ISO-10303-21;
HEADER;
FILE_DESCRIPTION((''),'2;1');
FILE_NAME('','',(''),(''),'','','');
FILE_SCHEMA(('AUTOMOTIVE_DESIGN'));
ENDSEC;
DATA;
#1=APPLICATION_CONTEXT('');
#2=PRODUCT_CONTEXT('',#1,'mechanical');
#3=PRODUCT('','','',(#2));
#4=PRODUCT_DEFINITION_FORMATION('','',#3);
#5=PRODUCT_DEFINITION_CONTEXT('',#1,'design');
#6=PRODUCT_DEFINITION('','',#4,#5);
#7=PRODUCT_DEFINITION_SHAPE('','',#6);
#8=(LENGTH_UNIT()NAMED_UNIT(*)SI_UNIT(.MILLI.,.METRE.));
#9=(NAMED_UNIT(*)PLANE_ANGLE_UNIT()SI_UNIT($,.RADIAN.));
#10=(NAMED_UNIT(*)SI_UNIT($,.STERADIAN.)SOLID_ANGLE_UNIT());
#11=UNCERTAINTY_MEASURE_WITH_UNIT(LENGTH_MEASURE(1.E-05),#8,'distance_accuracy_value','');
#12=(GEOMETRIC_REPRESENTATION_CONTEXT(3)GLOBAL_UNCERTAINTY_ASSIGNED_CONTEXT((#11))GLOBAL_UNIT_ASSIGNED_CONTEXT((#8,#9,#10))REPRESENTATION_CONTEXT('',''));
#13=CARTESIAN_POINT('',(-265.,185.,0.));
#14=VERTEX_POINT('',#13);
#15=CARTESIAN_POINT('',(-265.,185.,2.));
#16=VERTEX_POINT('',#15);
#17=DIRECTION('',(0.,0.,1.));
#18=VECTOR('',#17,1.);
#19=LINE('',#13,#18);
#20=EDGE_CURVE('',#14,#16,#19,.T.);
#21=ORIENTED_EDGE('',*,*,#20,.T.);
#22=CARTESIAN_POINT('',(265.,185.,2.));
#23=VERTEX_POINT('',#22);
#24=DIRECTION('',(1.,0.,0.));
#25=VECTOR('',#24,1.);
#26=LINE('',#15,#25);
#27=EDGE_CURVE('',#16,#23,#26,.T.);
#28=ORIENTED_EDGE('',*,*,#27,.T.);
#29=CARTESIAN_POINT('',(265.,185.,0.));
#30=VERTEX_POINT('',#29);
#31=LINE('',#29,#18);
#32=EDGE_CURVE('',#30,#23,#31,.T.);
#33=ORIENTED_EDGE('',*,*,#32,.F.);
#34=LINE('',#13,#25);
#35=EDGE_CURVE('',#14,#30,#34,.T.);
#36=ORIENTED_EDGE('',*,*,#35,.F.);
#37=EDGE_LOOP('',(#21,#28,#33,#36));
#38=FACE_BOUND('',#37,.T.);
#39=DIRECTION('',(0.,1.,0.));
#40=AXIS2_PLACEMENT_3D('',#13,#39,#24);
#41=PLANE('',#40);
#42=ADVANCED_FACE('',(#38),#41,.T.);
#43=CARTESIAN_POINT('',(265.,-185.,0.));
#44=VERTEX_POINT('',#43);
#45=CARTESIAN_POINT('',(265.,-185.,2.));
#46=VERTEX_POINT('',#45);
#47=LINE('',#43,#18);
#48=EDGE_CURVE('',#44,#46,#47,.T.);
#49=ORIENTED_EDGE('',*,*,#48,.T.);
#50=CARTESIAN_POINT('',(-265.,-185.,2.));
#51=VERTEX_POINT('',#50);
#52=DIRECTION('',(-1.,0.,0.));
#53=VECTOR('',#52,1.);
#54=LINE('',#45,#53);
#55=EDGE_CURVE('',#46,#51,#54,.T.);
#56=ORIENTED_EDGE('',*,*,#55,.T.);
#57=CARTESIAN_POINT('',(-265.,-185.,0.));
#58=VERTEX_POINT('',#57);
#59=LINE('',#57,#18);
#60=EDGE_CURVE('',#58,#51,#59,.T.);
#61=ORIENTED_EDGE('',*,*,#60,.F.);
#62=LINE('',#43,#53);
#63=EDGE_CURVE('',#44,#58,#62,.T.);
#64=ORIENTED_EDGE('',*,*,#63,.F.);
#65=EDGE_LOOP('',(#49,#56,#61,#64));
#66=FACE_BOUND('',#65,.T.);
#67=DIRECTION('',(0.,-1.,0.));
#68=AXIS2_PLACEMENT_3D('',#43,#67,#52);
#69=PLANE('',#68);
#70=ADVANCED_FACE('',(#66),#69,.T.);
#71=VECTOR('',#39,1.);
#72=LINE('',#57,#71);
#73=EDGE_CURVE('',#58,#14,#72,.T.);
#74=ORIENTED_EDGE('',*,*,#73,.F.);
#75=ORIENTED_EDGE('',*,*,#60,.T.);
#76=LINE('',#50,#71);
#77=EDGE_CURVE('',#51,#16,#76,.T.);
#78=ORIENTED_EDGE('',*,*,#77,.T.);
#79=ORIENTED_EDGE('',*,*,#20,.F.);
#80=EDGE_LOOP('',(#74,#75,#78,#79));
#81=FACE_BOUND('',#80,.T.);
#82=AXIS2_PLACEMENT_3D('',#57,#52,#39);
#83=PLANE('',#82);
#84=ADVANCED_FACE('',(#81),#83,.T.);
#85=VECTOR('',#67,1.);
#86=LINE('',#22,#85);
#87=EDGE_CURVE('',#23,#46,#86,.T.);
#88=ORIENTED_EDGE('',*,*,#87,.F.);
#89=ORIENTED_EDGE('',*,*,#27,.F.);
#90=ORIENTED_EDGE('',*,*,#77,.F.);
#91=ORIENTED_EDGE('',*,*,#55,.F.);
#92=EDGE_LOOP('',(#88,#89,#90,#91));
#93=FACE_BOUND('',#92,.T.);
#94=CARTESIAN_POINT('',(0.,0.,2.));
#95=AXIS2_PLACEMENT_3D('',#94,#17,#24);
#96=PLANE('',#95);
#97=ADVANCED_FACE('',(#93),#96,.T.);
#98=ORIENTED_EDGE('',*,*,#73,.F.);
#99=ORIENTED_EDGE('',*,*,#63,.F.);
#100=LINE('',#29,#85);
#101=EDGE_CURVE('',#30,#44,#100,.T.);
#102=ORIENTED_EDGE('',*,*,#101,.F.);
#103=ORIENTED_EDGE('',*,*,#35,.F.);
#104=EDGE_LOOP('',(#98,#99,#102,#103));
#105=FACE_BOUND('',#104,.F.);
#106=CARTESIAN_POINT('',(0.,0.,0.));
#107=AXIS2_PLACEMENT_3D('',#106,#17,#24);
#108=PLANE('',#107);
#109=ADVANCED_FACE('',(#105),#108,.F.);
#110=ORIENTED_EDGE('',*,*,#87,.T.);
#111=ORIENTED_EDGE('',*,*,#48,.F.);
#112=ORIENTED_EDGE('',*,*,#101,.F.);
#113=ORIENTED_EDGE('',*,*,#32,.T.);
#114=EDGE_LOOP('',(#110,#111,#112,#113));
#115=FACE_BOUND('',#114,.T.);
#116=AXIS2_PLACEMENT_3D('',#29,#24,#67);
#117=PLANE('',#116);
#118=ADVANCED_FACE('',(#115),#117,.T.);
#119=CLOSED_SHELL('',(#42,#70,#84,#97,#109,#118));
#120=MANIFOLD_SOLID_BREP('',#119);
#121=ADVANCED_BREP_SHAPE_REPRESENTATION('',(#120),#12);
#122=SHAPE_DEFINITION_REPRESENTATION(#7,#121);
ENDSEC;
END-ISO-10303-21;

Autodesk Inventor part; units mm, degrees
ref_plane "YZ Plane" through (0, 0, 0) normal (1, 0, 0) x (0, 1, 0)
ref_plane "XZ Plane" through (0, 0, 0) normal (0, 1, 0) x (-1, 0, 0)
ref_plane "XY Plane" through (0, 0, 0) normal (0, 0, 1) x (1, 0, 0)
sketch "スケッチ1" plane through (0, 0, 0) normal (0, 0, 1) x (1, 0, 0)
  line L0 (-265, 185) -> (265, 185)
  line L1 (265, 185) -> (265, -185)
  line L2 (265, -185) -> (-265, -185)
  line L3 (-265, -185) -> (-265, 185)
  point P0 (0, 0)
  point P1 (0, 185)
  point P2 (-265, 0)
  dimension "d0" = 370
  dimension "d1" = 530
extrude "押し出し1" add sketch "スケッチ1" along normal blind 2
properties part number "filecase"
